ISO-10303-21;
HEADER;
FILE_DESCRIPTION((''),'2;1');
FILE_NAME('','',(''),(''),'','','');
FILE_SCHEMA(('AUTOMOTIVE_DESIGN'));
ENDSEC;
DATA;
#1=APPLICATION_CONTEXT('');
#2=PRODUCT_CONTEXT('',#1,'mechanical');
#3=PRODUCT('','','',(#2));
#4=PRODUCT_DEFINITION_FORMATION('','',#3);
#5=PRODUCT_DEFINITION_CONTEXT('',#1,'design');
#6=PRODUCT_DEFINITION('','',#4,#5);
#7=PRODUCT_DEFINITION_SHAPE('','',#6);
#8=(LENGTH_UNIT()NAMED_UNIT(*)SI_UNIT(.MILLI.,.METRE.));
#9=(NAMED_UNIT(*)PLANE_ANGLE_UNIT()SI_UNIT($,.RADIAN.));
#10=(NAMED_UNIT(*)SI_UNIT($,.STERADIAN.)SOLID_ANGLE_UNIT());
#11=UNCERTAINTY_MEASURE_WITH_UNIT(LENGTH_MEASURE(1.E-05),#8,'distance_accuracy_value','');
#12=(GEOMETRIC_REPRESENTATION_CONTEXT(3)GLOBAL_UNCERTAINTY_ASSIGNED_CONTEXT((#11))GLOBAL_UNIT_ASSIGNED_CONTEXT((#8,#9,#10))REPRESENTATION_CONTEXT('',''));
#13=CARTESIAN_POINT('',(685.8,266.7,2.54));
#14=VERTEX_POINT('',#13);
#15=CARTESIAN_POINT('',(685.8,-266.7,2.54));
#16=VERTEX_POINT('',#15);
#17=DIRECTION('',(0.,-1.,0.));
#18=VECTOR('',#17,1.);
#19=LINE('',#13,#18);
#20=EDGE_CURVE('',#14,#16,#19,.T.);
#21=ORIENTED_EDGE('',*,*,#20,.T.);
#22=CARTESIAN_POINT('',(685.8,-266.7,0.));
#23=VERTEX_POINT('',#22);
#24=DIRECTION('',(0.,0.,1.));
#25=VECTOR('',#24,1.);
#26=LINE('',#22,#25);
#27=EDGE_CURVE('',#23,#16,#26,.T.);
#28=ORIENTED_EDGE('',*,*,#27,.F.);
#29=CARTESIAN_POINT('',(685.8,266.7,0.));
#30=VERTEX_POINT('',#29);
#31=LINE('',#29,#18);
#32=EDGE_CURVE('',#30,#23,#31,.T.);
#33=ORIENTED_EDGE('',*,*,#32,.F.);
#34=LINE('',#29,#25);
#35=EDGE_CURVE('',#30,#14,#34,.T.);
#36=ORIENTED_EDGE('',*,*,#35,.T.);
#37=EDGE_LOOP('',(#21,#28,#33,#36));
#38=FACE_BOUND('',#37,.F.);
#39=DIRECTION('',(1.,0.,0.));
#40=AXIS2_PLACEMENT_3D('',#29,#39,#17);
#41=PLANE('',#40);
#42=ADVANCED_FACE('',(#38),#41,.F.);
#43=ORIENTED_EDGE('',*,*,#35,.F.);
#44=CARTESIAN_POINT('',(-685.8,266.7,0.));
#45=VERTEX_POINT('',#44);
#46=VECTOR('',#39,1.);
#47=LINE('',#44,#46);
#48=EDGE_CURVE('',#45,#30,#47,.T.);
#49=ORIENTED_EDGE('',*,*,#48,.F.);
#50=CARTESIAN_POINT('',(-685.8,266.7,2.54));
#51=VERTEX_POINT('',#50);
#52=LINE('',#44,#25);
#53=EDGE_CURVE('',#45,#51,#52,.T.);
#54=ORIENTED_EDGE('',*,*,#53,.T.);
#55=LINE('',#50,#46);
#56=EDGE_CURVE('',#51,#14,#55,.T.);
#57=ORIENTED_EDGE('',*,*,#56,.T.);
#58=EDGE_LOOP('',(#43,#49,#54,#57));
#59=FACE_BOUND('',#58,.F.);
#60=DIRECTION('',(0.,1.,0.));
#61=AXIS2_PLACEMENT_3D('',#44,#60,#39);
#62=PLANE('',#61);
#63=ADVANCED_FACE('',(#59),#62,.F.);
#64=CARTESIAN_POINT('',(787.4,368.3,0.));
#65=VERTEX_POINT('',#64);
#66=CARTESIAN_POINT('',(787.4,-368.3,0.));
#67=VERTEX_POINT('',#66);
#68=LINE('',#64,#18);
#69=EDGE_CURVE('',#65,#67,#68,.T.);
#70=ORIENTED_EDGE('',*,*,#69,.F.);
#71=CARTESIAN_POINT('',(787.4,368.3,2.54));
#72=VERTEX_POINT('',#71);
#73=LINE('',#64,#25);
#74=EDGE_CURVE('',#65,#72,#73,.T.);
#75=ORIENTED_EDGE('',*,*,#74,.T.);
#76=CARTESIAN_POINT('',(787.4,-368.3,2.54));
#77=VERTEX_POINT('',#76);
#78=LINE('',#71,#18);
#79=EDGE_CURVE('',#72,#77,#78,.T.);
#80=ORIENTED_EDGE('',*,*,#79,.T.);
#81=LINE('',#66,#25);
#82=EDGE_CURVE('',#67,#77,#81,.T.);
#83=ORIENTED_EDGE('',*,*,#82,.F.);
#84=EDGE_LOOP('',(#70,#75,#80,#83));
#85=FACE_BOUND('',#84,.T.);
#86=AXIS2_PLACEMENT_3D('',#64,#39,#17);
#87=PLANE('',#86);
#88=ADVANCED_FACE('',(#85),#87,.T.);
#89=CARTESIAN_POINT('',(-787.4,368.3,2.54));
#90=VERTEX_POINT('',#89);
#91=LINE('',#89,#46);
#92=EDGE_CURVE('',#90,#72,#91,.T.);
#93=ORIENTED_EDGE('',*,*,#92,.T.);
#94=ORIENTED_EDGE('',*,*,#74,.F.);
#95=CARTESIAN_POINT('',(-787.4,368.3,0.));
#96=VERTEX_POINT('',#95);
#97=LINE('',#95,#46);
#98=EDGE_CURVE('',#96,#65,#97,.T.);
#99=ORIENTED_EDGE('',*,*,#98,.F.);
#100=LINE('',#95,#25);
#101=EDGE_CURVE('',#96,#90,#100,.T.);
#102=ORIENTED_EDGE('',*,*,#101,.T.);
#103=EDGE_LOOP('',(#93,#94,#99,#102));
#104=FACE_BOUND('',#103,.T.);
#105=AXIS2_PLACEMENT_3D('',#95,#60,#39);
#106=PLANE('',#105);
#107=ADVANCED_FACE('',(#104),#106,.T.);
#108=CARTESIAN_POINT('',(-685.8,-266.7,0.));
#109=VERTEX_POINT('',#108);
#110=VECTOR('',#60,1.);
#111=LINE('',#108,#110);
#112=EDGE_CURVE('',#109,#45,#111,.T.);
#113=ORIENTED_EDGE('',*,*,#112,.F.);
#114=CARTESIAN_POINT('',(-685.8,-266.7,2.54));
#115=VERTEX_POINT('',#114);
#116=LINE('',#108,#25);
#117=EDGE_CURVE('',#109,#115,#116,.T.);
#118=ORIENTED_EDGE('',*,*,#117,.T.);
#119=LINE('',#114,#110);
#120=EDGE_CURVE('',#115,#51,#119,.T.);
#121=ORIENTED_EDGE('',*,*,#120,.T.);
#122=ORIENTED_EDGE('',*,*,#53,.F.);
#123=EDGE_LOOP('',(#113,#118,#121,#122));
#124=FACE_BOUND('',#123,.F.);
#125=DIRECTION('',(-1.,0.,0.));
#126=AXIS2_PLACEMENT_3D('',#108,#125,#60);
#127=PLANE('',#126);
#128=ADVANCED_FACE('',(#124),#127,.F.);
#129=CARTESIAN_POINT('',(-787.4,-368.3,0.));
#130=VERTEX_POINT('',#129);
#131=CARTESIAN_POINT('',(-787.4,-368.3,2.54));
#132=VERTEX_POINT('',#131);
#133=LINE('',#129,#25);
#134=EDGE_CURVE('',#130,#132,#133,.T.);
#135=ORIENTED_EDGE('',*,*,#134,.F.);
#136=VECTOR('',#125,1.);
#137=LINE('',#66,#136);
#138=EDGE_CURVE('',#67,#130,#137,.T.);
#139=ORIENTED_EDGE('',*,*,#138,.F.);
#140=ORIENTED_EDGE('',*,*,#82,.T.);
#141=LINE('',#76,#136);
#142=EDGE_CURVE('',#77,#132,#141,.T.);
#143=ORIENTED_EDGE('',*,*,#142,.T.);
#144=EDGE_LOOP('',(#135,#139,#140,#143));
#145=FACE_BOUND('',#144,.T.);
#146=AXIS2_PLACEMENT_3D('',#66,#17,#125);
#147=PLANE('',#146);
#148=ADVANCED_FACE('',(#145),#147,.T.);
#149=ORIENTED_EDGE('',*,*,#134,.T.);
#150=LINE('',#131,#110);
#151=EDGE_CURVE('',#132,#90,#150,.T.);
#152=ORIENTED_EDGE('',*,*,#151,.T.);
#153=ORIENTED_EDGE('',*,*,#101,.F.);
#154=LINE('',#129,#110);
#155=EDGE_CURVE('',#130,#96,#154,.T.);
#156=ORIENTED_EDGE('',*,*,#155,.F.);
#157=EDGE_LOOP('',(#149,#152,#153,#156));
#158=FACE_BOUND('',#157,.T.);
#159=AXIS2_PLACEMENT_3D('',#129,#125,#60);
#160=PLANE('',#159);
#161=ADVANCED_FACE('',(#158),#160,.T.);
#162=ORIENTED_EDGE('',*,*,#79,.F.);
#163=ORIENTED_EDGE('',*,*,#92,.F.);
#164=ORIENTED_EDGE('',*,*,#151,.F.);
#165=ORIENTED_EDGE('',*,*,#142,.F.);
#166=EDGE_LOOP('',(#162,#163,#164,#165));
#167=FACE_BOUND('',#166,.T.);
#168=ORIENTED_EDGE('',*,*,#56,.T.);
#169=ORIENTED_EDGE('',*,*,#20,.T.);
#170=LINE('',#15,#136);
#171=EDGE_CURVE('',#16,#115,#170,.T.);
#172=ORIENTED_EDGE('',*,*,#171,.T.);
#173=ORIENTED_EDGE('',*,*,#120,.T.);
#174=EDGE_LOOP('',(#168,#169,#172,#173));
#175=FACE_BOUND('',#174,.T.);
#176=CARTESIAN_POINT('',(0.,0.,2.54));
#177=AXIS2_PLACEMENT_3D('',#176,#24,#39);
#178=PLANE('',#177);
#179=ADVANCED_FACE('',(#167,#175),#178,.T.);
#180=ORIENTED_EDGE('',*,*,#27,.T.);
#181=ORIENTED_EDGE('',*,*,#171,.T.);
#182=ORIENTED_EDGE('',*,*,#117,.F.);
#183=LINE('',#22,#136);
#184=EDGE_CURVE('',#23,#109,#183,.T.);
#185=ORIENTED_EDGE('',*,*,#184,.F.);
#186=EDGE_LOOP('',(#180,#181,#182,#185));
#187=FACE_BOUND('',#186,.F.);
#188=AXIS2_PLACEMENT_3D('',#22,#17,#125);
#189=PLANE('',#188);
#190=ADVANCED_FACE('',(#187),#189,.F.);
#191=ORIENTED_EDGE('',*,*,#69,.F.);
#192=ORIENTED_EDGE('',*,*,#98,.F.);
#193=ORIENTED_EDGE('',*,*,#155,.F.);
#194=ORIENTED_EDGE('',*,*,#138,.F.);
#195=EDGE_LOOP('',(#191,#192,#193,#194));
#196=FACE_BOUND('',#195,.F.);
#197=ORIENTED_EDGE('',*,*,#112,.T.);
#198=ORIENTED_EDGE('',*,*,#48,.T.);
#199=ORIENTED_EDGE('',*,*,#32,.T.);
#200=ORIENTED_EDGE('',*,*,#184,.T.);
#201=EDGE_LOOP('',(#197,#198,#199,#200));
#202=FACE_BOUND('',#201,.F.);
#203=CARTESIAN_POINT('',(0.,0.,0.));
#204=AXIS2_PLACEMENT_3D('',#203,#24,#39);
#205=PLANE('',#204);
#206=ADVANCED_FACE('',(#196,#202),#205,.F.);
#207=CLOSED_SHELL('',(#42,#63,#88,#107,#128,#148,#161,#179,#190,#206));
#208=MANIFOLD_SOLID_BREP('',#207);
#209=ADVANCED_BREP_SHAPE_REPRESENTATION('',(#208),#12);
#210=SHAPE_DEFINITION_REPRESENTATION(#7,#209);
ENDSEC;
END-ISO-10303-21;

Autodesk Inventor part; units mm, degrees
ref_plane "YZ Plane" through (0, 0, 0) normal (1, 0, 0) x (0, 1, 0)
ref_plane "XZ Plane" through (0, 0, 0) normal (0, 1, 0) x (-1, 0, 0)
ref_plane "XY Plane" through (0, 0, 0) normal (0, 0, 1) x (1, 0, 0)
ref_plane "Work Plane1" through (0, 0, 0) normal (0, 0, 1) x (1, 0, 0)
sketch "Sketch1" plane through (0, 0, 0) normal (0, 0, 1) x (1, 0, 0)
  line L0 (-685.8, 266.7) -> (685.8, 266.7) projected
  line L1 (-685.8, -266.7) -> (-685.8, 266.7) projected
  line L2 (685.8, -266.7) -> (-685.8, -266.7) projected
  line L3 (685.8, 266.7) -> (685.8, -266.7) projected
  line L4 (-685.8, -266.7) -> (685.8, -266.7)
  line L5 (685.8, -266.7) -> (685.8, 266.7)
  line L6 (685.8, 266.7) -> (-685.8, 266.7)
  line L7 (-685.8, 266.7) -> (-685.8, -266.7)
  line L8 (-787.4, 368.3) -> (787.4, 368.3)
  line L9 (787.4, 368.3) -> (787.4, -368.3)
  line L10 (787.4, -368.3) -> (-787.4, -368.3)
  line L11 (-787.4, -368.3) -> (-787.4, 368.3)
  point P0 (0, 0)
  dimension "d0" = 101.6
extrude "Extrusion1" add sketch "Sketch1" along normal blind 2.54
properties part number "Reflective02" material "Polycarbonate, Clear"
